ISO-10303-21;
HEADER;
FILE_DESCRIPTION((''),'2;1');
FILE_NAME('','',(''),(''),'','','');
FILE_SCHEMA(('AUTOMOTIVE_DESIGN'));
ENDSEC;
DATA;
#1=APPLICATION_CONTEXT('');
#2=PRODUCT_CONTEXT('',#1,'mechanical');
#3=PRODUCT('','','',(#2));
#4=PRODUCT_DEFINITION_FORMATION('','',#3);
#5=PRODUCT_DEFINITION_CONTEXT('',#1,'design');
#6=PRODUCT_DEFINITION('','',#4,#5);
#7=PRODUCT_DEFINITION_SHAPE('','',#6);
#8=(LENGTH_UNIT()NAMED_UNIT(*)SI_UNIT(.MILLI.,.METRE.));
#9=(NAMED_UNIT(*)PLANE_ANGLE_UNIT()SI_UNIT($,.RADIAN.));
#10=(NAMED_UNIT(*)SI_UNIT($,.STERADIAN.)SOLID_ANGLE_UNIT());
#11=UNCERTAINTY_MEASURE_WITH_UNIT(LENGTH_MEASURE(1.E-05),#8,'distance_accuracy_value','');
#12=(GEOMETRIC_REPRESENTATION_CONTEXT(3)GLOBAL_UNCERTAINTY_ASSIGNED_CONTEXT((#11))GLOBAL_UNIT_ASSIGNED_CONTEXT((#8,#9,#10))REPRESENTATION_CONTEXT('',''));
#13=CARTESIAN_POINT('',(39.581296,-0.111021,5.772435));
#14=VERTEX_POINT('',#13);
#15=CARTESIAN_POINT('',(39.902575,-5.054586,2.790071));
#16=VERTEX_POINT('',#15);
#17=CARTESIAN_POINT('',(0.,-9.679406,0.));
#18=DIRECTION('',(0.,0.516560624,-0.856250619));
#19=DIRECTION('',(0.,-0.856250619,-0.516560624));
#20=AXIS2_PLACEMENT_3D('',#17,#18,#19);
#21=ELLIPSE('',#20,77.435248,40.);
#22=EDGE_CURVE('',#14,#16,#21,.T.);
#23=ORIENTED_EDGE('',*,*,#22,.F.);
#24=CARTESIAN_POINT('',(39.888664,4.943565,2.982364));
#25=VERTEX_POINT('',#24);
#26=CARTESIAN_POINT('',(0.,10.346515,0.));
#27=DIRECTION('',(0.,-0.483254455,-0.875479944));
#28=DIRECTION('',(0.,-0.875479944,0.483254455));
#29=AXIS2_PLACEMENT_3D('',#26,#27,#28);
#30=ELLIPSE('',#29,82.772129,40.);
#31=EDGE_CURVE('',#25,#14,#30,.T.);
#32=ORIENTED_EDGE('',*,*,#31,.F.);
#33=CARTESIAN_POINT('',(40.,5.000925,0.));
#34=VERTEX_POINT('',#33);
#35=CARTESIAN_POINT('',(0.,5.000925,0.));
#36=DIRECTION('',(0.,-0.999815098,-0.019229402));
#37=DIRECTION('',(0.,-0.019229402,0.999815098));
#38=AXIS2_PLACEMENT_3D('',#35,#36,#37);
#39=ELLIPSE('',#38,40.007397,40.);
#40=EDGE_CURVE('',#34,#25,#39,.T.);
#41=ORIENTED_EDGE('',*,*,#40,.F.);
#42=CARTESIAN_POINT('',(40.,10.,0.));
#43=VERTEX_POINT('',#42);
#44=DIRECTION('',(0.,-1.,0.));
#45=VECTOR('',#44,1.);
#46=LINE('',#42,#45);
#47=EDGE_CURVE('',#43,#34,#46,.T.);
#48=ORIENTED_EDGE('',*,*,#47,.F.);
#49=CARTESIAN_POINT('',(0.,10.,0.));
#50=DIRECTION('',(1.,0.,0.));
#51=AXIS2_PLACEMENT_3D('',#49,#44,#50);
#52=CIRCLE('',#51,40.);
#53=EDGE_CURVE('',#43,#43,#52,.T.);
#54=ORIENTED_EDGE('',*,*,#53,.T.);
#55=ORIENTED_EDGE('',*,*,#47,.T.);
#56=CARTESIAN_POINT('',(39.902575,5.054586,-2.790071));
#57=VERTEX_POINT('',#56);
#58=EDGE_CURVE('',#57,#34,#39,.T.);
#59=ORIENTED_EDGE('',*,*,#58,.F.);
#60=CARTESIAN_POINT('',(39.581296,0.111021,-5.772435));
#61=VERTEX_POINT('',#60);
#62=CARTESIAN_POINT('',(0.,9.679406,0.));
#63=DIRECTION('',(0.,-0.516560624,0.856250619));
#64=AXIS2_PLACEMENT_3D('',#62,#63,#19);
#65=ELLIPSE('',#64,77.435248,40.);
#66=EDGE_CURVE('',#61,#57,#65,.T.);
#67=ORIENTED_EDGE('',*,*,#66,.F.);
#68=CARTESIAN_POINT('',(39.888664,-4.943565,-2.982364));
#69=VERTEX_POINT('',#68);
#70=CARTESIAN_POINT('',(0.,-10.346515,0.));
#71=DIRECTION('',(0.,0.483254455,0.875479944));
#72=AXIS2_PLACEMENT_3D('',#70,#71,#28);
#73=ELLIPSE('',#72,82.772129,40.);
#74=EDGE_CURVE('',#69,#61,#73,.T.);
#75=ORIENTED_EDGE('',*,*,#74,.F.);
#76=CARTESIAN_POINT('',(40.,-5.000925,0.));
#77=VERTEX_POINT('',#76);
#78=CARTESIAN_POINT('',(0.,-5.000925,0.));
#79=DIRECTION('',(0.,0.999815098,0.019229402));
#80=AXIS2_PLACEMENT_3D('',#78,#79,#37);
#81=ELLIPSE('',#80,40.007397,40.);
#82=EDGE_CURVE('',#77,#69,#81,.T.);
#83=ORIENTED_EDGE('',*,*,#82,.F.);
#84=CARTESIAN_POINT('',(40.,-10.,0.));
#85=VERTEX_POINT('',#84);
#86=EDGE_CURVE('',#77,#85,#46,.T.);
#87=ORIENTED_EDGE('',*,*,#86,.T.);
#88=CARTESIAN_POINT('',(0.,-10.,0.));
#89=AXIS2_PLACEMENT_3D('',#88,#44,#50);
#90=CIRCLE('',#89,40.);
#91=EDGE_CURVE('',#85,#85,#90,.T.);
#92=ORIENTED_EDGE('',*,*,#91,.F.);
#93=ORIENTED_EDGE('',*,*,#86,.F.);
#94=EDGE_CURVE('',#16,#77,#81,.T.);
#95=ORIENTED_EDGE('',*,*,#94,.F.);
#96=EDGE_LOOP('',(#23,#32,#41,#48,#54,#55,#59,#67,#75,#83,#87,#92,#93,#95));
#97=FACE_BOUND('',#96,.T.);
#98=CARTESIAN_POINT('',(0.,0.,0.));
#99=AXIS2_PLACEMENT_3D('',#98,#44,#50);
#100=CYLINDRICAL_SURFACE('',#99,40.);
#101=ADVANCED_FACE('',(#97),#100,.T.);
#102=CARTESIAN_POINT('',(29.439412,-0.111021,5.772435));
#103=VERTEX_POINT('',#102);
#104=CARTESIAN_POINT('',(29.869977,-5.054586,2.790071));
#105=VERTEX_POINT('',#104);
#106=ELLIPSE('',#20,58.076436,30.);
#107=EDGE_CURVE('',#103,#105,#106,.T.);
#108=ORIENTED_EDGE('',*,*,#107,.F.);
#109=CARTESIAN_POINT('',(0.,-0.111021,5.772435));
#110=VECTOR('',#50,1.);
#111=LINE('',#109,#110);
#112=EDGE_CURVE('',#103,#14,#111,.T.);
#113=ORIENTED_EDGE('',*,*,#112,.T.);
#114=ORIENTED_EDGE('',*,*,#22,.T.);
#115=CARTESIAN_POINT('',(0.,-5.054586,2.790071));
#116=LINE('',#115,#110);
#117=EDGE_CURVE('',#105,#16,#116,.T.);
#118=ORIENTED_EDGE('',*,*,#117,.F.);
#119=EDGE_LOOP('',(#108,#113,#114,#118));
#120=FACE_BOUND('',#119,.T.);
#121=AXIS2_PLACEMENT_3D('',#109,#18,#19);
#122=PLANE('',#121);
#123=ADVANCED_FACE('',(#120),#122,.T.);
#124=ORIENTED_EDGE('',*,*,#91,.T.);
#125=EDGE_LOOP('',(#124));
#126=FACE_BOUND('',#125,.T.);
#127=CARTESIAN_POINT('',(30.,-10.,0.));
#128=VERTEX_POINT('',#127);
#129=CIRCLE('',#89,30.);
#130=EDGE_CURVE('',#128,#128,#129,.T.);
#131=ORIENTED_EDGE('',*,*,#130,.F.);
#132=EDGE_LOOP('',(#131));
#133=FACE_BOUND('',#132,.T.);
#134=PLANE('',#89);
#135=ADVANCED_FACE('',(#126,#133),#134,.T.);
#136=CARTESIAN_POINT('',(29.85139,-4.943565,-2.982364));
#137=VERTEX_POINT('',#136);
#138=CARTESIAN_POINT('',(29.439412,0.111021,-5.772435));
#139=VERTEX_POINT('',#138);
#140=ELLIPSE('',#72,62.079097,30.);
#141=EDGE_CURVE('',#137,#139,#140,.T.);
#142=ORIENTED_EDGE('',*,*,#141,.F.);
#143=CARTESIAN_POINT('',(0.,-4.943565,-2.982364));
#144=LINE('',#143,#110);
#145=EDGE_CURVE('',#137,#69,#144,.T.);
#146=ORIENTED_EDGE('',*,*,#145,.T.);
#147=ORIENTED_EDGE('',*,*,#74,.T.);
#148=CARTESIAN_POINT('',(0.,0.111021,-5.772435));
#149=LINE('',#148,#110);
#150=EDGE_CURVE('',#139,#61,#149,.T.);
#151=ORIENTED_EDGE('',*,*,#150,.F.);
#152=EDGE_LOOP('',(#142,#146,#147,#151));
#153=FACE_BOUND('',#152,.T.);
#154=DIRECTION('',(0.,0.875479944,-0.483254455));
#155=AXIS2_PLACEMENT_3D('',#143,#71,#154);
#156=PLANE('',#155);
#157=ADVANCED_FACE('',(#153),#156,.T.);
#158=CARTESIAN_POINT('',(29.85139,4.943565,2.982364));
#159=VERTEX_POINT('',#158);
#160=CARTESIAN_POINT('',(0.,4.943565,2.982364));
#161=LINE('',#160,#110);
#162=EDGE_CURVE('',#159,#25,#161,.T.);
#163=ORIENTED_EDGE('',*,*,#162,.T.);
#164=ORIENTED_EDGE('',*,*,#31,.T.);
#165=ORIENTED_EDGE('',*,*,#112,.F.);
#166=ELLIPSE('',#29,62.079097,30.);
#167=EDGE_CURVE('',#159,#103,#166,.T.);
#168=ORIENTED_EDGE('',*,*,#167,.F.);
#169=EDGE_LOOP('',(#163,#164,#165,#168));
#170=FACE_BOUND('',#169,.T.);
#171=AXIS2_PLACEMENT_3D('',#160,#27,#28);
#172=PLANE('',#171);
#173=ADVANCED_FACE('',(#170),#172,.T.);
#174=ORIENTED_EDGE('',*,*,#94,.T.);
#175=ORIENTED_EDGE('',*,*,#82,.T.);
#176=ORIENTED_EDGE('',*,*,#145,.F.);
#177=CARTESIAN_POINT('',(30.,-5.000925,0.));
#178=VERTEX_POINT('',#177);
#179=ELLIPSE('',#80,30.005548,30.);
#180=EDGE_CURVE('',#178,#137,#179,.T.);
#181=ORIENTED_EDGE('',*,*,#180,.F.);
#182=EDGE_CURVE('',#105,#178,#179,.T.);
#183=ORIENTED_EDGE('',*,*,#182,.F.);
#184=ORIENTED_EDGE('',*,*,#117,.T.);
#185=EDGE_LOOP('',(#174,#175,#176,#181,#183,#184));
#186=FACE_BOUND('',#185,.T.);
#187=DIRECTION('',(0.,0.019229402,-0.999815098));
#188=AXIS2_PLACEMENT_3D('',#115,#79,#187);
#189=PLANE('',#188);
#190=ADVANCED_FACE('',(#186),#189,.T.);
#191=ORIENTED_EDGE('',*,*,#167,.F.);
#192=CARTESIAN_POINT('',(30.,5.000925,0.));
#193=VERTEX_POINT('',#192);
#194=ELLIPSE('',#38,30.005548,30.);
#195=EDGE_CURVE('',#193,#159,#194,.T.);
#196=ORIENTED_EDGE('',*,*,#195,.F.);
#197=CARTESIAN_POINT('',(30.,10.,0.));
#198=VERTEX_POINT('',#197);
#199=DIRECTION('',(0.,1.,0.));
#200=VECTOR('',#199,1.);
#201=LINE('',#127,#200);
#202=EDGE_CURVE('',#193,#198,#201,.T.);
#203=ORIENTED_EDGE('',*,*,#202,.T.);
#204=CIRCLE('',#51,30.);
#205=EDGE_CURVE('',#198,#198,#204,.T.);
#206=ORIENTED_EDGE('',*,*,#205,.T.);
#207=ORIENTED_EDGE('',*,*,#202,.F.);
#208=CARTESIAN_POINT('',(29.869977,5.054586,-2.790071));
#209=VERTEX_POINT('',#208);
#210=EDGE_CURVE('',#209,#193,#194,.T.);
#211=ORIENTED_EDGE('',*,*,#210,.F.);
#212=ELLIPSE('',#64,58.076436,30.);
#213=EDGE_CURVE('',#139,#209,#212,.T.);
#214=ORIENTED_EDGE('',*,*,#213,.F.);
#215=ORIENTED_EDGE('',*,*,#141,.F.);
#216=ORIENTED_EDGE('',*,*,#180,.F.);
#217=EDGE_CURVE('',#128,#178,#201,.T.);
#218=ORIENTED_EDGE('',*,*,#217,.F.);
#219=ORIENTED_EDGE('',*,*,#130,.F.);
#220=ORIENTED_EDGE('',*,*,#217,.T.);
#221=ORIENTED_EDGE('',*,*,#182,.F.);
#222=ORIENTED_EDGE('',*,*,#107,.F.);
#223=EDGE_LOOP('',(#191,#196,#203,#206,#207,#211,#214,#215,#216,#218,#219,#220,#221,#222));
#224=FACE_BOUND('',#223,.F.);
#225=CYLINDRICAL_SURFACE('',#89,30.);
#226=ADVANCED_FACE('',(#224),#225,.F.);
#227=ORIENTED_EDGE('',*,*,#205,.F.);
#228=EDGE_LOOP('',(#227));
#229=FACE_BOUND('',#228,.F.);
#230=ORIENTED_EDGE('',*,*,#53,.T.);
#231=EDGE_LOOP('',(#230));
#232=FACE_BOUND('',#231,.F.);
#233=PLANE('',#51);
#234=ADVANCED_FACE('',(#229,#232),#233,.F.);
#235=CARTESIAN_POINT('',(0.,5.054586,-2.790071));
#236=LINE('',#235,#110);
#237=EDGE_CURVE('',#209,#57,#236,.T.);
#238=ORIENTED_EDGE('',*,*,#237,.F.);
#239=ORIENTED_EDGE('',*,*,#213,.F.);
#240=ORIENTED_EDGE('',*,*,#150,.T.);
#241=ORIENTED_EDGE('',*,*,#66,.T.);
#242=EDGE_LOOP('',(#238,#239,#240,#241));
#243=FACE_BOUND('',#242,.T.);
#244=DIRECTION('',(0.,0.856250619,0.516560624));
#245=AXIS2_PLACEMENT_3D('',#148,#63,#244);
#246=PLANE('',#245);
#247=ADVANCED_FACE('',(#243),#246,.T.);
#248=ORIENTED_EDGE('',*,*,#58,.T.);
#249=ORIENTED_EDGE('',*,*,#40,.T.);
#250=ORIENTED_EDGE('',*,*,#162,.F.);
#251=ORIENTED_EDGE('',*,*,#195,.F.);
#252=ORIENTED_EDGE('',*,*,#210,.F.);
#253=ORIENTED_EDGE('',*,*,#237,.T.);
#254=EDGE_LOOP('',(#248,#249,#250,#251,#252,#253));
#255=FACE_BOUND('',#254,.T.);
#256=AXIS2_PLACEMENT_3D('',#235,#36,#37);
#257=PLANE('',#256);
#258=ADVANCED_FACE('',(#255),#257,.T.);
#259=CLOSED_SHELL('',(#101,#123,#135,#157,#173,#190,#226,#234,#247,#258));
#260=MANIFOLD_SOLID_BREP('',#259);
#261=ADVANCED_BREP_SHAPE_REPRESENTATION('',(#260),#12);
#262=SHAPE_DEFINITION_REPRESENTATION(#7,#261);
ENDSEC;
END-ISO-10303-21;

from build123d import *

# Parameters (mm, degrees)
F0_R     = 40
F1_DEPTH = 10
F2_R     = 30
F3_DEPTH = 20
F5_DEPTH = 60


with BuildPart() as f1:
    # F0 (on Front) → F1 (new body, symmetric)
    with BuildSketch(Plane.XZ):
        Circle(F0_R)
    extrude(amount=F1_DEPTH, both=True)

    # F2 (on face) → F3 (cut, through all)
    with BuildSketch(Plane.XZ.offset(10)):
        Circle(F2_R)
    extrude(amount=-F3_DEPTH, mode=Mode.SUBTRACT)

    # F4 (on Right) → F5 (cut)
    with BuildSketch(Plane.YZ):
        Polygon((4.943565, 2.982364), (-0.111021, 5.772435), (-5.054586, 2.790071), (-4.943565, -2.982364), (0.111021, -5.772435), (5.054586, -2.790071), align=None)
    extrude(amount=F5_DEPTH, mode=Mode.SUBTRACT)


solid = f1.part
